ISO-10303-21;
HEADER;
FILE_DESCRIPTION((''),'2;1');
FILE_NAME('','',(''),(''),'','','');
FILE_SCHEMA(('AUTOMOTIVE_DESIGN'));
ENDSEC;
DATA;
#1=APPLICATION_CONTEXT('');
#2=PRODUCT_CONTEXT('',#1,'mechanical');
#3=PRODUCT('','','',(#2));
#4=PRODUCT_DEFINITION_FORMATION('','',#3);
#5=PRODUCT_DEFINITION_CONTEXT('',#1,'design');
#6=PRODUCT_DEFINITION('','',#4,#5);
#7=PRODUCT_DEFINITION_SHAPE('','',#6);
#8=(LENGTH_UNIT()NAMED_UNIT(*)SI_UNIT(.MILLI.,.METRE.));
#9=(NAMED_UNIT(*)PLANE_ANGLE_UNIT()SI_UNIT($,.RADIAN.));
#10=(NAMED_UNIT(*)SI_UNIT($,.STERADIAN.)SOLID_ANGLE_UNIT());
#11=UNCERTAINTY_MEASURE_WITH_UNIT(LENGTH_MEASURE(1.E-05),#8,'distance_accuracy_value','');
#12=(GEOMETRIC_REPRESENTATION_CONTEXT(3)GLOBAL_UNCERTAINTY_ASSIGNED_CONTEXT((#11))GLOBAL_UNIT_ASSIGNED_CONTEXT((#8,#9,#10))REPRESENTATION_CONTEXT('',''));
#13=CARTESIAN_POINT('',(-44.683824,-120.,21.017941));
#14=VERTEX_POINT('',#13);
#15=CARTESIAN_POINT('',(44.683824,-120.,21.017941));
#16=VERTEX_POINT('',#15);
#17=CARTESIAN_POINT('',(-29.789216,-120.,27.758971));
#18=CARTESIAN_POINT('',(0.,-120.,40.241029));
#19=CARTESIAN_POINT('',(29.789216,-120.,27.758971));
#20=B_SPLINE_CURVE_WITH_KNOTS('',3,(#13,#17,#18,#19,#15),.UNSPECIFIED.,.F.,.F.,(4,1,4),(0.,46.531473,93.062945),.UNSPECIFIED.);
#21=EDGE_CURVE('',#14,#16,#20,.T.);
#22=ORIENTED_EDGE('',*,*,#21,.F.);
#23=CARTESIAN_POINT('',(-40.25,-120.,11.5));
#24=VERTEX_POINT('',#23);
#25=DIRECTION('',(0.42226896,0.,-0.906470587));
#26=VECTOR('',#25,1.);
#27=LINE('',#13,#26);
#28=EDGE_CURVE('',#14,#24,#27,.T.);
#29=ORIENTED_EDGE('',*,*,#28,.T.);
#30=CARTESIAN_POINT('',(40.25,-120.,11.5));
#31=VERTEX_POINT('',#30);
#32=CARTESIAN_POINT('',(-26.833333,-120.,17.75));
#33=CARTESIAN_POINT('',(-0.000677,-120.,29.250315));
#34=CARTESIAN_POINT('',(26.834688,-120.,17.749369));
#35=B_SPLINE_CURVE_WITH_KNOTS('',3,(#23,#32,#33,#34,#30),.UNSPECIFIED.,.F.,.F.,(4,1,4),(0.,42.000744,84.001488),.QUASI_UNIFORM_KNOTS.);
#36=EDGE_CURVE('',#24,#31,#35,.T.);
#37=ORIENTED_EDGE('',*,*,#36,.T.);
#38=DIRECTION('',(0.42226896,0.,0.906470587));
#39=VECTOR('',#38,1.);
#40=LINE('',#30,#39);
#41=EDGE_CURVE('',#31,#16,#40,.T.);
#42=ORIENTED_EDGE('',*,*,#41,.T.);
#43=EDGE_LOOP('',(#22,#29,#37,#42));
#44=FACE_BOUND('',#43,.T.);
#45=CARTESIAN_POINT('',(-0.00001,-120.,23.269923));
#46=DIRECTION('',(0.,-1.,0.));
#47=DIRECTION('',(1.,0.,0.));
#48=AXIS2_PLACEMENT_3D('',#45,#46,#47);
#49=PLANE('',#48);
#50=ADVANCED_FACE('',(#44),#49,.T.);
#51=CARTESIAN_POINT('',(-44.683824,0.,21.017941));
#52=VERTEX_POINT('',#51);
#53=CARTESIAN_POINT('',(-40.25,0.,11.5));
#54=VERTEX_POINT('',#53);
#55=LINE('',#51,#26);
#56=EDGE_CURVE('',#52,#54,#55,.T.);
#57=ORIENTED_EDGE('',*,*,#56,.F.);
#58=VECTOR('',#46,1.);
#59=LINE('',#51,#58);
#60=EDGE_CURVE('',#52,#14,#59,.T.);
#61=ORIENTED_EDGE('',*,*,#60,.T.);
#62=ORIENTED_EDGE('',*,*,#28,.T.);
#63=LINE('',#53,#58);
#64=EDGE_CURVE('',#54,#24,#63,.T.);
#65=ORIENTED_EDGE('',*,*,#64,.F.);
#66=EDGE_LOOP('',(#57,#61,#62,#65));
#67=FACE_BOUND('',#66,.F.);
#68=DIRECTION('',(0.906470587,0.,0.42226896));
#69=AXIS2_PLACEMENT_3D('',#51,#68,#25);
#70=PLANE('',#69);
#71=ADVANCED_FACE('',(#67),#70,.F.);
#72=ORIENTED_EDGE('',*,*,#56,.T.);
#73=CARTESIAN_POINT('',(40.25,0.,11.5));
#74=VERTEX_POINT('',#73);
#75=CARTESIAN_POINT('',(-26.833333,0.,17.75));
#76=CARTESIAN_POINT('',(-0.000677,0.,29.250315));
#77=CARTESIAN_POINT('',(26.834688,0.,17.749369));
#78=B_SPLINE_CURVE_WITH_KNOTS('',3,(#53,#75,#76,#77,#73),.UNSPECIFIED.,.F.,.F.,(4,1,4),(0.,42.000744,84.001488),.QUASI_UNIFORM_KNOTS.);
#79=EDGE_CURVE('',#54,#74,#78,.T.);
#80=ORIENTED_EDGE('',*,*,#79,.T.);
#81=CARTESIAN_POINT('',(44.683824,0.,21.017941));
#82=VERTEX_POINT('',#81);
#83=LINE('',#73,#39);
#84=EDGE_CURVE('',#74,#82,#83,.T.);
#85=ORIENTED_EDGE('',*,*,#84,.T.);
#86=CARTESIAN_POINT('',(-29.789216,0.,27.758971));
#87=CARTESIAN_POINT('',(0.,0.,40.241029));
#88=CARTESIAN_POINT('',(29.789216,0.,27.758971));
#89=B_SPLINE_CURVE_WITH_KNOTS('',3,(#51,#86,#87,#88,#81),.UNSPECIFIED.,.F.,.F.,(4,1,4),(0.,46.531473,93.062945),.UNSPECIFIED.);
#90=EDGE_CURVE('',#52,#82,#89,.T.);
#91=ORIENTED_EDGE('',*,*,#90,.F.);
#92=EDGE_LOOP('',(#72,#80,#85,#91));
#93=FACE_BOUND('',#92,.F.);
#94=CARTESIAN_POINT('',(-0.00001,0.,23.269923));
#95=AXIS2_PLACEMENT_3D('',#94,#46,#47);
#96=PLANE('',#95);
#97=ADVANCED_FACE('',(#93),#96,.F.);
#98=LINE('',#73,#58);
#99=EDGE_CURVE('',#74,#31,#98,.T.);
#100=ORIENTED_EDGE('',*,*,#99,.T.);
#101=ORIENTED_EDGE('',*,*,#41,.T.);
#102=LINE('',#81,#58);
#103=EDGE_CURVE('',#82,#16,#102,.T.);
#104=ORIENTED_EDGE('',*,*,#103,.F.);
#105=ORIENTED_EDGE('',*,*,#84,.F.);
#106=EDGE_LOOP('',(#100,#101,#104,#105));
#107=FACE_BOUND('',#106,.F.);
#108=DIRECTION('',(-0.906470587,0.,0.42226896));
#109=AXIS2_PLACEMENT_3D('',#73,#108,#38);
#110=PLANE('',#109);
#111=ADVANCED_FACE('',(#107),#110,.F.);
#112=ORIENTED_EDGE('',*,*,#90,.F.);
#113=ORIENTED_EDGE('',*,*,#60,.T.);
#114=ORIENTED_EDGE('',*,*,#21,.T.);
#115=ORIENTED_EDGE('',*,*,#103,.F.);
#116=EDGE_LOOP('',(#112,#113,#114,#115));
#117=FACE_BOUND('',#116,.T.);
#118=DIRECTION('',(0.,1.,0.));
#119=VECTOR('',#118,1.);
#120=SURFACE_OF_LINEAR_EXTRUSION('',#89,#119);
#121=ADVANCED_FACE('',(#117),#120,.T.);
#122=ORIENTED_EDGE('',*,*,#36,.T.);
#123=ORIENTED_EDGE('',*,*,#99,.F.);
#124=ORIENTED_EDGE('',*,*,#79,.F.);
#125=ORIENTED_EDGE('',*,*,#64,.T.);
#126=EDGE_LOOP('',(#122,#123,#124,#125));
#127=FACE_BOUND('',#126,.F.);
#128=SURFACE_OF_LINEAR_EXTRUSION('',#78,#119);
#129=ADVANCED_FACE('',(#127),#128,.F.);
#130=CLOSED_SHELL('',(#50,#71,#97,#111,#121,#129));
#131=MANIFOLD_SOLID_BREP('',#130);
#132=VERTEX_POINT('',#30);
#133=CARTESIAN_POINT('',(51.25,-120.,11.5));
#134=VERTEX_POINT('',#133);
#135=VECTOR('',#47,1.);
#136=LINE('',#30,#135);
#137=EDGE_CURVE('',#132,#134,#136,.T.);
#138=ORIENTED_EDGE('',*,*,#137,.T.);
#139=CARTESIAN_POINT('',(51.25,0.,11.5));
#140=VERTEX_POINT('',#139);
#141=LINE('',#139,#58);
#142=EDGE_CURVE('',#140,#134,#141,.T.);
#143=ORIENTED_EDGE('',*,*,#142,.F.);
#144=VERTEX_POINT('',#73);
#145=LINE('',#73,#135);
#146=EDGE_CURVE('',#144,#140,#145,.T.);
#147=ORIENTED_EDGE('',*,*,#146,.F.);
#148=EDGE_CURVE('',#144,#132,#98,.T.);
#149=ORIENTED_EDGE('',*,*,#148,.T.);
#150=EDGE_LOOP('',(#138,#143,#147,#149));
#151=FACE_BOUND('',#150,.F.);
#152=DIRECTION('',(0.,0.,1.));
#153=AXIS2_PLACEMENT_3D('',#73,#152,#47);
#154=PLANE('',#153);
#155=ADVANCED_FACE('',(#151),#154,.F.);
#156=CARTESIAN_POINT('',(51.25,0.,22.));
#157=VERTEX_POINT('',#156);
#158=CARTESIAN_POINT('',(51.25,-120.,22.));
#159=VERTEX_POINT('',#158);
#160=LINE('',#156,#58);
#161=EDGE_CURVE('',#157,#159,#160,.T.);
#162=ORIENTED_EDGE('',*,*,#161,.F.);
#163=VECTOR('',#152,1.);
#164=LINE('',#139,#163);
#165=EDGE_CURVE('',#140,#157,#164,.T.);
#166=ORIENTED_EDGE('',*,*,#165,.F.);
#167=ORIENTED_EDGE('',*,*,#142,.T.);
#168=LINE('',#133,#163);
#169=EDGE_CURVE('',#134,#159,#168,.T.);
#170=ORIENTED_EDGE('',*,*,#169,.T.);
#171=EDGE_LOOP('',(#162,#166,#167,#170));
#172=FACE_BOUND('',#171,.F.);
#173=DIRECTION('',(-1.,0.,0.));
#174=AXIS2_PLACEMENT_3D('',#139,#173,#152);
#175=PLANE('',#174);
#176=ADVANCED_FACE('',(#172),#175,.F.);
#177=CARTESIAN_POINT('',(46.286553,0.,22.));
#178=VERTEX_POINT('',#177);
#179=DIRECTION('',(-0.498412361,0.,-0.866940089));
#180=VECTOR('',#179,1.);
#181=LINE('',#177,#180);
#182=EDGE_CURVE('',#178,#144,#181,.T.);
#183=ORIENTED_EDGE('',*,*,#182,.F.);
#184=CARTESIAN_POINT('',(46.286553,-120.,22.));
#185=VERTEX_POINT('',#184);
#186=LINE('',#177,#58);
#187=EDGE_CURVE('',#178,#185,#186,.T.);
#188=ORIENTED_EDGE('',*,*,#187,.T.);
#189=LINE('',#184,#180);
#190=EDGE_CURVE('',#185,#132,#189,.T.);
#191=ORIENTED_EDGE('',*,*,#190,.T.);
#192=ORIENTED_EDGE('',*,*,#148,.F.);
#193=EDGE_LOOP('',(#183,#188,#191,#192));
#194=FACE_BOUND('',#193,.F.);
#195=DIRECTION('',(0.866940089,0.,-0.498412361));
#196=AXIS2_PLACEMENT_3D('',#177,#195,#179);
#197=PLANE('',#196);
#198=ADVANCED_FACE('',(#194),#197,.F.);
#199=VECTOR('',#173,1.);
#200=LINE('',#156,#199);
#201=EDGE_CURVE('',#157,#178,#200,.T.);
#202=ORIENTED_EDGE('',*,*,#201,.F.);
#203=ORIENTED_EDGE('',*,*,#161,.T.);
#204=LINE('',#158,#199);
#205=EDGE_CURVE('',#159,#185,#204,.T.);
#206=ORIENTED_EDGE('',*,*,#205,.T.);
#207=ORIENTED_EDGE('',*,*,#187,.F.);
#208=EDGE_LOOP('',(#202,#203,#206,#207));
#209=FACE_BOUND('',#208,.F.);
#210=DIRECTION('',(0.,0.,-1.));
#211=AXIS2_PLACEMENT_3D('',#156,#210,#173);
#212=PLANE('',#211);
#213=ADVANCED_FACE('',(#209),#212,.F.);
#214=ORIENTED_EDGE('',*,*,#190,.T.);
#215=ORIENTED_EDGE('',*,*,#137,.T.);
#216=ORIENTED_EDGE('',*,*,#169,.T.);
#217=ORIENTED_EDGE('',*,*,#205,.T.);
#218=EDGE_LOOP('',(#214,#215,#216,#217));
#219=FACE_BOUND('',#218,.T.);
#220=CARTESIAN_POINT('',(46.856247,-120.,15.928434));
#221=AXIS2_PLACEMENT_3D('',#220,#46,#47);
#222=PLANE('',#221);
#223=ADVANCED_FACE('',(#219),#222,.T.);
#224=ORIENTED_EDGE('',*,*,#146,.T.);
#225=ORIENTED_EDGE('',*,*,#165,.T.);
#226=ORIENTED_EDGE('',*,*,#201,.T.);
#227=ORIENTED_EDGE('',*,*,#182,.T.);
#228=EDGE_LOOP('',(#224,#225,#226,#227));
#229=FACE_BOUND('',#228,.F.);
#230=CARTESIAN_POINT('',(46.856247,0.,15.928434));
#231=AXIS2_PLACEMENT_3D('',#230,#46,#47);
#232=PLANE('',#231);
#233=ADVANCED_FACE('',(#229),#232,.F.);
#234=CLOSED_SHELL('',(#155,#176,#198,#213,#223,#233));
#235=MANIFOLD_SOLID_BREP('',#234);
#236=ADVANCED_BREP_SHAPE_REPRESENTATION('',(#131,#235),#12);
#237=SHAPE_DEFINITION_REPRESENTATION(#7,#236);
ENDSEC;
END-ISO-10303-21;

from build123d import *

# Parameters (mm, degrees)
F1_DEPTH = 120


with BuildPart() as f1:
    # F0 (on Front) → F1 (new body)
    with BuildSketch(Plane.XZ):
        with BuildLine():
            Line((-44.683824, 21.017941), (-40.25, 11.5))
            add(Edge.make_bspline(
                [(-40.25, 11.5), (-26.833333, 17.75), (-0.000677, 29.250315), (26.834688, 17.749369), (40.25, 11.5)],
                knots=[0, 0, 0, 0, 42.000744, 84.001488, 84.001488, 84.001488, 84.001488], degree=3))
            Line((40.25, 11.5), (44.683824, 21.017941))
            add(Edge.make_bspline(
                [(-44.683824, 21.017941), (-29.789216, 27.758971), (0, 40.241029), (29.789216, 27.758971), (44.683824, 21.017941)],
                knots=[0, 0, 0, 0, 46.531473, 93.062945, 93.062945, 93.062945, 93.062945], degree=3))
        make_face()
        Polygon((46.286553, 22), (40.25, 11.5), (51.25, 11.5), (51.25, 22), align=None)
    extrude(amount=F1_DEPTH)


solid = f1.part
